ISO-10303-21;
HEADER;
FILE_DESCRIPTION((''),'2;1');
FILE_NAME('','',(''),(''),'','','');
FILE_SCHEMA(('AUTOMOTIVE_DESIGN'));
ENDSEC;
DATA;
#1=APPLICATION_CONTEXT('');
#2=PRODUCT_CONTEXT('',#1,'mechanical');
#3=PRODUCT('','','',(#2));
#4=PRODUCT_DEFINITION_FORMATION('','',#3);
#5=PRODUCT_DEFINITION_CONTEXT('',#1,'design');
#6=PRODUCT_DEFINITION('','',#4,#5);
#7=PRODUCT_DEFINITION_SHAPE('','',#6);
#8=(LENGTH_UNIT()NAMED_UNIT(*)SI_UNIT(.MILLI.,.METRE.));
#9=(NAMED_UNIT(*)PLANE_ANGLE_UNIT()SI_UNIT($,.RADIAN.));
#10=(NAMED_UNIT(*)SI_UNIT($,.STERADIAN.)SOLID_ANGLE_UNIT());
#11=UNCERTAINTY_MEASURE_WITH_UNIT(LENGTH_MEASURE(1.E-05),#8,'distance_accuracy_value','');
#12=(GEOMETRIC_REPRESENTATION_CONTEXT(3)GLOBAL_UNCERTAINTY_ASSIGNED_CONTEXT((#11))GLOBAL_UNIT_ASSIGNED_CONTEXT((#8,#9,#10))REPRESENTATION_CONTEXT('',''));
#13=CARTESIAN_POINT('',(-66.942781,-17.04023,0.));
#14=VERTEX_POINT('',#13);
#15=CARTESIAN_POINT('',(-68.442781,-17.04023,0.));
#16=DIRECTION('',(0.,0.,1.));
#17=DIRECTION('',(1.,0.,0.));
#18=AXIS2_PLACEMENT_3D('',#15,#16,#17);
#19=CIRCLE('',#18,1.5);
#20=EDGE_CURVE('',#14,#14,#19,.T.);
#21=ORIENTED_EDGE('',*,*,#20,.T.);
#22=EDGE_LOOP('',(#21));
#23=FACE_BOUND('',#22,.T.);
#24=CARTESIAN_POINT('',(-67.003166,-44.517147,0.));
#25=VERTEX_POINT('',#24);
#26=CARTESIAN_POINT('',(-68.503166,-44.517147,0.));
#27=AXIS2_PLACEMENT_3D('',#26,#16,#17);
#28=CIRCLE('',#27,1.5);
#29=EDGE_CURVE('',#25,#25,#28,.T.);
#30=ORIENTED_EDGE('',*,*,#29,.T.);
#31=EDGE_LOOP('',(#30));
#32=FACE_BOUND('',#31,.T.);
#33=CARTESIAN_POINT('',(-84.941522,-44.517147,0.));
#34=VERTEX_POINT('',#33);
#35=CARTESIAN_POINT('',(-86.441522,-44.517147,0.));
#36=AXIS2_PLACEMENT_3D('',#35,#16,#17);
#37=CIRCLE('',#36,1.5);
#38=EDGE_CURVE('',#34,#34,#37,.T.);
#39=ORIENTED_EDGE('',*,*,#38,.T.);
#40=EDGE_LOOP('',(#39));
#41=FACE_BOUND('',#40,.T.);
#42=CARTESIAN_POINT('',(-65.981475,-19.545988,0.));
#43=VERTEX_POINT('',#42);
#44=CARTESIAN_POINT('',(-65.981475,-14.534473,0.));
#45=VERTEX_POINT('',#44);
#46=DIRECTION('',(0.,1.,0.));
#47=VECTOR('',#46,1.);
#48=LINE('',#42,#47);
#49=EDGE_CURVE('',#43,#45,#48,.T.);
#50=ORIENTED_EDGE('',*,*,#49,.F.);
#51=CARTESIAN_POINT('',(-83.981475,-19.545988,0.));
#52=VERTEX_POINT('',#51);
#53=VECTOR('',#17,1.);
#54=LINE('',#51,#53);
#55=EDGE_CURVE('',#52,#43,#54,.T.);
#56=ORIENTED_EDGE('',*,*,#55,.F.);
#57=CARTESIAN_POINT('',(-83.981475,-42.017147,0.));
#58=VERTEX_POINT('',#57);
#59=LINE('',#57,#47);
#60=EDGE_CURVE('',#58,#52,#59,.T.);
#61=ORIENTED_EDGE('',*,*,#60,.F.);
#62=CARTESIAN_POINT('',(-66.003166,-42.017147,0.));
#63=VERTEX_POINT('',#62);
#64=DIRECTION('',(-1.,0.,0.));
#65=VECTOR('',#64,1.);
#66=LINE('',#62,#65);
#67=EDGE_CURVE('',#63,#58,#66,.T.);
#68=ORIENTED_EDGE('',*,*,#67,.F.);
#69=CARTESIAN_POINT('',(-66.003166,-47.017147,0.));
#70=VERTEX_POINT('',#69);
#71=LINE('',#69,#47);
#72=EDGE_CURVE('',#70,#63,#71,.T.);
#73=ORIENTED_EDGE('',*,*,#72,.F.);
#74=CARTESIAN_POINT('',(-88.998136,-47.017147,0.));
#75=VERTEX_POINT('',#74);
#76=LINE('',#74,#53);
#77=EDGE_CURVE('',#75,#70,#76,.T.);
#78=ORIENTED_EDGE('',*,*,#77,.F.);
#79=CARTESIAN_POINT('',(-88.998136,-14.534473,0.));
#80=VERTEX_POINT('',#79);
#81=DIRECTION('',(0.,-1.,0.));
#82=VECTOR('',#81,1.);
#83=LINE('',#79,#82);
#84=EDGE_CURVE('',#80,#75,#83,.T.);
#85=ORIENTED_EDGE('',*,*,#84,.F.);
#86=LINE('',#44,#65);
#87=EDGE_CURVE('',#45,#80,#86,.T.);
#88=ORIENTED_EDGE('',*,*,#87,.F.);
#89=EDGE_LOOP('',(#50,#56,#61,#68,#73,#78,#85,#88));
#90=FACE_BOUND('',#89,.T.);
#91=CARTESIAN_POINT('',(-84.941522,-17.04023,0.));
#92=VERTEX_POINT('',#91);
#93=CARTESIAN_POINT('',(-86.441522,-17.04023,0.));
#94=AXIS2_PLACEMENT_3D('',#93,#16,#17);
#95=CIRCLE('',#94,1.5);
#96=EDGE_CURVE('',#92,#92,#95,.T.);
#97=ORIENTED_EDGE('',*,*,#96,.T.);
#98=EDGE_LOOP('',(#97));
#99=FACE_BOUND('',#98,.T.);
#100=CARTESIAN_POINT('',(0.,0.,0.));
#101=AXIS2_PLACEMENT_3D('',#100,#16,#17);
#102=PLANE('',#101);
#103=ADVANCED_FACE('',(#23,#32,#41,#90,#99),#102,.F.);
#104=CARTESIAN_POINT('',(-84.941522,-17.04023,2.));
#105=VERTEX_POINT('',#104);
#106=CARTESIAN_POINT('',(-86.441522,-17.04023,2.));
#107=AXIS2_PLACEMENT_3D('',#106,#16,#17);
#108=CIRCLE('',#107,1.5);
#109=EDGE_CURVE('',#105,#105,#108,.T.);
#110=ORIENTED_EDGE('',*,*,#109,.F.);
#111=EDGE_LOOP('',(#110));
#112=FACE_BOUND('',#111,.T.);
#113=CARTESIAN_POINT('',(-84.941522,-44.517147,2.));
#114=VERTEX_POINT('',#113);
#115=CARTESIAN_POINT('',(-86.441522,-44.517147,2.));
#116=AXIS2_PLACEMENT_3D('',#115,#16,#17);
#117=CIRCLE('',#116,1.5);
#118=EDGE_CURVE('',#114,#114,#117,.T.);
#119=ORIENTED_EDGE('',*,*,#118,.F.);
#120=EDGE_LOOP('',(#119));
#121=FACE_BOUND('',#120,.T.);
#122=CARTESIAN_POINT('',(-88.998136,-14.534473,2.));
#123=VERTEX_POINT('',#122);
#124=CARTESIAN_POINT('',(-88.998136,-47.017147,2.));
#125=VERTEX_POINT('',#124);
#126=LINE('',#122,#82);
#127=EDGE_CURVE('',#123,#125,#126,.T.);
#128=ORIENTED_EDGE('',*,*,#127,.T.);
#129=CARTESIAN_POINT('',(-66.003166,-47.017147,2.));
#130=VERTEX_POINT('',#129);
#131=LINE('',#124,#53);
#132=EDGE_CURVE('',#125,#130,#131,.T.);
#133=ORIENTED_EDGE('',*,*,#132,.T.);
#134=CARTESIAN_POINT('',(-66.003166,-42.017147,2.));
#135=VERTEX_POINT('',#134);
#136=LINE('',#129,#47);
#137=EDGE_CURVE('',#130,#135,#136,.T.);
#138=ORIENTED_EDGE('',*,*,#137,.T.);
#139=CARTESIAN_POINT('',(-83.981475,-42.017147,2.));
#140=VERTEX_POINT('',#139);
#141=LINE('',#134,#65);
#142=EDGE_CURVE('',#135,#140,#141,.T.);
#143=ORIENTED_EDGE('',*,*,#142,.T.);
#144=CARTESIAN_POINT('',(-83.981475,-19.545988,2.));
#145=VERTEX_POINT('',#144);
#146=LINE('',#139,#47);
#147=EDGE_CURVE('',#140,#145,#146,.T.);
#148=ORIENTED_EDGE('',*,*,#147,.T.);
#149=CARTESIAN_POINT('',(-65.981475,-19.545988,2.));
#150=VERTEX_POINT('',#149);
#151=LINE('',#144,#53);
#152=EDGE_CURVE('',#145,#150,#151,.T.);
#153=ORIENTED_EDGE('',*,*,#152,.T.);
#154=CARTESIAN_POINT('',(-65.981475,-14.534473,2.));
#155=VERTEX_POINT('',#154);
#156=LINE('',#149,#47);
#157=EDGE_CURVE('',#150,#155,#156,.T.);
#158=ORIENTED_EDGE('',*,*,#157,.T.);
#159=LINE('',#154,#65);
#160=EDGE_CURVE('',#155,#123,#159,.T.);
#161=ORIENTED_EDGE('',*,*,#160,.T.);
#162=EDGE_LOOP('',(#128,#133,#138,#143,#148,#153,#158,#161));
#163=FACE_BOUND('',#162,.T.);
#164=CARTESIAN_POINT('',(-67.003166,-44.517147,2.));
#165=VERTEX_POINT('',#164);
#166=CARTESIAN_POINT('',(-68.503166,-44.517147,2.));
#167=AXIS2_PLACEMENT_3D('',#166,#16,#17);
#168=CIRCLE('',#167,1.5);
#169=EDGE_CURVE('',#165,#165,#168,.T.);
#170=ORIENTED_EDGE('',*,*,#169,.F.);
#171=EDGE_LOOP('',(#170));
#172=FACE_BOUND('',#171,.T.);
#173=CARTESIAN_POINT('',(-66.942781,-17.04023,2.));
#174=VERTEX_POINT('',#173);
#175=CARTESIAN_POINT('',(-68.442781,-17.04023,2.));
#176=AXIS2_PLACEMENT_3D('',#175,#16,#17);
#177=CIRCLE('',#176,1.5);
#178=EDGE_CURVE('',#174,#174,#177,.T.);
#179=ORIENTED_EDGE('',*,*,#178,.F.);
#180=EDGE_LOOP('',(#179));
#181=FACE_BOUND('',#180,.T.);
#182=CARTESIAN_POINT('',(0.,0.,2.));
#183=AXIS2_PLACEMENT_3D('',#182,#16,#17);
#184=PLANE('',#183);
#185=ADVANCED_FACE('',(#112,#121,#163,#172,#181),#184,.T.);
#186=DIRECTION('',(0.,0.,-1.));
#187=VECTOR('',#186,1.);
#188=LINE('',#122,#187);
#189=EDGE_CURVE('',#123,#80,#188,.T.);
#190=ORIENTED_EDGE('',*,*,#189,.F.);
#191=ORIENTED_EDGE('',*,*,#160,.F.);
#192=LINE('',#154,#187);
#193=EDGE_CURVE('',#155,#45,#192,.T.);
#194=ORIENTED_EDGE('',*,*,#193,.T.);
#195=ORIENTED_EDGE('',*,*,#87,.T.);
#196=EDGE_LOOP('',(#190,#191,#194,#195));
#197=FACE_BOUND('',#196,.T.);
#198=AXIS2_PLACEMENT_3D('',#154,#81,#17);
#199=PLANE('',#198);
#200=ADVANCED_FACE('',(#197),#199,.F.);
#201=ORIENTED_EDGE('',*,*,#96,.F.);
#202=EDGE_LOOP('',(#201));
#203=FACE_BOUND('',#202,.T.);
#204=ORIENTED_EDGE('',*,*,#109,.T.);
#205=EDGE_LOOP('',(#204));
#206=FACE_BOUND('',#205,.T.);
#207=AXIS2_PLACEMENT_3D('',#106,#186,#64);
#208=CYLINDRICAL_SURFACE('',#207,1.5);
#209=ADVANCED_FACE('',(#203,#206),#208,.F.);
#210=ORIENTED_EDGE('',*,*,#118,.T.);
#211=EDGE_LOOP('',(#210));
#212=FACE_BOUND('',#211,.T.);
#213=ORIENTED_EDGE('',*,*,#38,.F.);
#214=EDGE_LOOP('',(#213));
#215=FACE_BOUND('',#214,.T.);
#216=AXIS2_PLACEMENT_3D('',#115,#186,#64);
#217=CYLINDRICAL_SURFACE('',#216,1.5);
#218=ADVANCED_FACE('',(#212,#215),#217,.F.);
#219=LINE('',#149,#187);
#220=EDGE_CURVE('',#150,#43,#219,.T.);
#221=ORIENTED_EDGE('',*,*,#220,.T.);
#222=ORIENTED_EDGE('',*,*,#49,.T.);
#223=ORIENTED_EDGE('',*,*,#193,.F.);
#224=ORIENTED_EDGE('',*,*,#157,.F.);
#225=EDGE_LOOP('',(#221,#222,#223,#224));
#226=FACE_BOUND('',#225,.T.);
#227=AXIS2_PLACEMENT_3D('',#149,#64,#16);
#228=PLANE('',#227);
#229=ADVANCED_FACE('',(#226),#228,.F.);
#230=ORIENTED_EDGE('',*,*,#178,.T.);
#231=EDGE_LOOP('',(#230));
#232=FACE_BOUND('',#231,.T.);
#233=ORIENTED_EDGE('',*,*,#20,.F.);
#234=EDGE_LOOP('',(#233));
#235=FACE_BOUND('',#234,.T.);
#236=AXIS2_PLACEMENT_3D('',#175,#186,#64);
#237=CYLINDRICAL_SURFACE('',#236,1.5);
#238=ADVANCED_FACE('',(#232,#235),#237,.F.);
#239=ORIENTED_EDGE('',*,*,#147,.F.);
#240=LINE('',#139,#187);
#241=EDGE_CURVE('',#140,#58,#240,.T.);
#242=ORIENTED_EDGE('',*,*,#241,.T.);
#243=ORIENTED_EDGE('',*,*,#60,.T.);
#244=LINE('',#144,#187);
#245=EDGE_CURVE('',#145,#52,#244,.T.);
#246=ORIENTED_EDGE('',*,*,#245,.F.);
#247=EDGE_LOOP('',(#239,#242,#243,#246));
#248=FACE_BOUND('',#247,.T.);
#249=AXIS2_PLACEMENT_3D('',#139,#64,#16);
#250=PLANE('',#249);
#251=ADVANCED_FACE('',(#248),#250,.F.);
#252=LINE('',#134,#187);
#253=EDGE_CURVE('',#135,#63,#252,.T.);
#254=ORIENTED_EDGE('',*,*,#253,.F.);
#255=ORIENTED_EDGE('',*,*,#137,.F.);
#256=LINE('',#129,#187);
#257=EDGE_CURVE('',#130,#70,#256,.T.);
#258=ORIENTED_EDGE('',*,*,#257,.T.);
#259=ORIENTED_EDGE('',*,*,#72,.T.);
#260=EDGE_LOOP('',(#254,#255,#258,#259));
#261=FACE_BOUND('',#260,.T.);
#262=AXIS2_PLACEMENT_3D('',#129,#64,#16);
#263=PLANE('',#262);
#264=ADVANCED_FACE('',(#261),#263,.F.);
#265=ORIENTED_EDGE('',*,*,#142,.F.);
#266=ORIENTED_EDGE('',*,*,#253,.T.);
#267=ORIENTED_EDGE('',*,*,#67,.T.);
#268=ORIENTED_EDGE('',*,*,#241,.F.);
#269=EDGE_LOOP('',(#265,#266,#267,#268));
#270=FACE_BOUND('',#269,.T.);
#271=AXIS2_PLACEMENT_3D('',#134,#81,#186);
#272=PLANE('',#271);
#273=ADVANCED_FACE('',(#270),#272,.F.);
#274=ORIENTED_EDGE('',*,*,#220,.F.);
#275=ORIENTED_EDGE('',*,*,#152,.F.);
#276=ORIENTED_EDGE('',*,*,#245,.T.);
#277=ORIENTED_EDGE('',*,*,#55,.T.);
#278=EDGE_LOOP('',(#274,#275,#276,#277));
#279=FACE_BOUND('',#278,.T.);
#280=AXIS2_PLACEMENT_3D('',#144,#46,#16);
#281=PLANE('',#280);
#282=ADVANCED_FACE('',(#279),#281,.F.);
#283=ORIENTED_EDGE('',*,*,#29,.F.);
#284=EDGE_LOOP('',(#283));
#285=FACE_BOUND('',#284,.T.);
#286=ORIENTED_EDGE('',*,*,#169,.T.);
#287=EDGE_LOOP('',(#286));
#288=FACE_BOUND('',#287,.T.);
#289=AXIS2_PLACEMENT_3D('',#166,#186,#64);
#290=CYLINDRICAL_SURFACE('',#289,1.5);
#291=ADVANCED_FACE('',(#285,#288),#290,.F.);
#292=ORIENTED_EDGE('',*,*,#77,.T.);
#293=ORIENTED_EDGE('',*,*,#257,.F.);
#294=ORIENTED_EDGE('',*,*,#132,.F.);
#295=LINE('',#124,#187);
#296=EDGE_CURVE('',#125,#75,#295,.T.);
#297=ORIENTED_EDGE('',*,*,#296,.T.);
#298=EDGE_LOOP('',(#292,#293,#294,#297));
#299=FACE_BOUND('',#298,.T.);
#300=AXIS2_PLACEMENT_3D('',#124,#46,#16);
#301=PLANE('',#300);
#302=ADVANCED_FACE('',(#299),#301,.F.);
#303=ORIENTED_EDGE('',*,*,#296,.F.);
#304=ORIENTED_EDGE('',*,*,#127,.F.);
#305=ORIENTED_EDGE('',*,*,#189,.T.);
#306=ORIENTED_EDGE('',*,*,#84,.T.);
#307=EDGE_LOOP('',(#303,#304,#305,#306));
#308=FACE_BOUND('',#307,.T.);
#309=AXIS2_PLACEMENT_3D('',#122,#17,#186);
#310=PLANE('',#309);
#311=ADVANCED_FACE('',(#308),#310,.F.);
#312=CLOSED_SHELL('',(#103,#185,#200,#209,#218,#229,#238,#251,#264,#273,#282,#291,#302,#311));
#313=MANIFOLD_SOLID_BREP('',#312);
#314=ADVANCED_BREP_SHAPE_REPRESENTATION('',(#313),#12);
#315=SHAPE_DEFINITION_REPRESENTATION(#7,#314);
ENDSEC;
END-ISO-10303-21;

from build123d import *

# Parameters (mm, degrees)
SKETCH1_R           = 1.5
BOSS_EXTRUDE2_DEPTH = 2


with BuildPart() as part:
    # Sketch1 → Boss-Extrude2 (new body)
    with BuildSketch(Plane.XY):
        Polygon((-65.981474854, -14.534472754), (-88.998135761, -14.534472754), (-88.998135761, -47.017147389), (-66.003166269, -47.017147389), (-66.003166269, -42.017147389), (-83.981474854, -42.017147389), (-83.981474854, -19.545987886), (-65.981474854, -19.545987886), align=None)
        with Locations((-68.442781439, -17.04023032)):
            Circle(SKETCH1_R, mode=Mode.SUBTRACT)
        with Locations((-86.441521614, -17.04023032)):
            Circle(SKETCH1_R, mode=Mode.SUBTRACT)
        with Locations((-86.441521614, -44.517147389)):
            Circle(SKETCH1_R, mode=Mode.SUBTRACT)
        with Locations((-68.503166269, -44.517147389)):
            Circle(SKETCH1_R, mode=Mode.SUBTRACT)
    extrude(amount=BOSS_EXTRUDE2_DEPTH)


solid = part.part
